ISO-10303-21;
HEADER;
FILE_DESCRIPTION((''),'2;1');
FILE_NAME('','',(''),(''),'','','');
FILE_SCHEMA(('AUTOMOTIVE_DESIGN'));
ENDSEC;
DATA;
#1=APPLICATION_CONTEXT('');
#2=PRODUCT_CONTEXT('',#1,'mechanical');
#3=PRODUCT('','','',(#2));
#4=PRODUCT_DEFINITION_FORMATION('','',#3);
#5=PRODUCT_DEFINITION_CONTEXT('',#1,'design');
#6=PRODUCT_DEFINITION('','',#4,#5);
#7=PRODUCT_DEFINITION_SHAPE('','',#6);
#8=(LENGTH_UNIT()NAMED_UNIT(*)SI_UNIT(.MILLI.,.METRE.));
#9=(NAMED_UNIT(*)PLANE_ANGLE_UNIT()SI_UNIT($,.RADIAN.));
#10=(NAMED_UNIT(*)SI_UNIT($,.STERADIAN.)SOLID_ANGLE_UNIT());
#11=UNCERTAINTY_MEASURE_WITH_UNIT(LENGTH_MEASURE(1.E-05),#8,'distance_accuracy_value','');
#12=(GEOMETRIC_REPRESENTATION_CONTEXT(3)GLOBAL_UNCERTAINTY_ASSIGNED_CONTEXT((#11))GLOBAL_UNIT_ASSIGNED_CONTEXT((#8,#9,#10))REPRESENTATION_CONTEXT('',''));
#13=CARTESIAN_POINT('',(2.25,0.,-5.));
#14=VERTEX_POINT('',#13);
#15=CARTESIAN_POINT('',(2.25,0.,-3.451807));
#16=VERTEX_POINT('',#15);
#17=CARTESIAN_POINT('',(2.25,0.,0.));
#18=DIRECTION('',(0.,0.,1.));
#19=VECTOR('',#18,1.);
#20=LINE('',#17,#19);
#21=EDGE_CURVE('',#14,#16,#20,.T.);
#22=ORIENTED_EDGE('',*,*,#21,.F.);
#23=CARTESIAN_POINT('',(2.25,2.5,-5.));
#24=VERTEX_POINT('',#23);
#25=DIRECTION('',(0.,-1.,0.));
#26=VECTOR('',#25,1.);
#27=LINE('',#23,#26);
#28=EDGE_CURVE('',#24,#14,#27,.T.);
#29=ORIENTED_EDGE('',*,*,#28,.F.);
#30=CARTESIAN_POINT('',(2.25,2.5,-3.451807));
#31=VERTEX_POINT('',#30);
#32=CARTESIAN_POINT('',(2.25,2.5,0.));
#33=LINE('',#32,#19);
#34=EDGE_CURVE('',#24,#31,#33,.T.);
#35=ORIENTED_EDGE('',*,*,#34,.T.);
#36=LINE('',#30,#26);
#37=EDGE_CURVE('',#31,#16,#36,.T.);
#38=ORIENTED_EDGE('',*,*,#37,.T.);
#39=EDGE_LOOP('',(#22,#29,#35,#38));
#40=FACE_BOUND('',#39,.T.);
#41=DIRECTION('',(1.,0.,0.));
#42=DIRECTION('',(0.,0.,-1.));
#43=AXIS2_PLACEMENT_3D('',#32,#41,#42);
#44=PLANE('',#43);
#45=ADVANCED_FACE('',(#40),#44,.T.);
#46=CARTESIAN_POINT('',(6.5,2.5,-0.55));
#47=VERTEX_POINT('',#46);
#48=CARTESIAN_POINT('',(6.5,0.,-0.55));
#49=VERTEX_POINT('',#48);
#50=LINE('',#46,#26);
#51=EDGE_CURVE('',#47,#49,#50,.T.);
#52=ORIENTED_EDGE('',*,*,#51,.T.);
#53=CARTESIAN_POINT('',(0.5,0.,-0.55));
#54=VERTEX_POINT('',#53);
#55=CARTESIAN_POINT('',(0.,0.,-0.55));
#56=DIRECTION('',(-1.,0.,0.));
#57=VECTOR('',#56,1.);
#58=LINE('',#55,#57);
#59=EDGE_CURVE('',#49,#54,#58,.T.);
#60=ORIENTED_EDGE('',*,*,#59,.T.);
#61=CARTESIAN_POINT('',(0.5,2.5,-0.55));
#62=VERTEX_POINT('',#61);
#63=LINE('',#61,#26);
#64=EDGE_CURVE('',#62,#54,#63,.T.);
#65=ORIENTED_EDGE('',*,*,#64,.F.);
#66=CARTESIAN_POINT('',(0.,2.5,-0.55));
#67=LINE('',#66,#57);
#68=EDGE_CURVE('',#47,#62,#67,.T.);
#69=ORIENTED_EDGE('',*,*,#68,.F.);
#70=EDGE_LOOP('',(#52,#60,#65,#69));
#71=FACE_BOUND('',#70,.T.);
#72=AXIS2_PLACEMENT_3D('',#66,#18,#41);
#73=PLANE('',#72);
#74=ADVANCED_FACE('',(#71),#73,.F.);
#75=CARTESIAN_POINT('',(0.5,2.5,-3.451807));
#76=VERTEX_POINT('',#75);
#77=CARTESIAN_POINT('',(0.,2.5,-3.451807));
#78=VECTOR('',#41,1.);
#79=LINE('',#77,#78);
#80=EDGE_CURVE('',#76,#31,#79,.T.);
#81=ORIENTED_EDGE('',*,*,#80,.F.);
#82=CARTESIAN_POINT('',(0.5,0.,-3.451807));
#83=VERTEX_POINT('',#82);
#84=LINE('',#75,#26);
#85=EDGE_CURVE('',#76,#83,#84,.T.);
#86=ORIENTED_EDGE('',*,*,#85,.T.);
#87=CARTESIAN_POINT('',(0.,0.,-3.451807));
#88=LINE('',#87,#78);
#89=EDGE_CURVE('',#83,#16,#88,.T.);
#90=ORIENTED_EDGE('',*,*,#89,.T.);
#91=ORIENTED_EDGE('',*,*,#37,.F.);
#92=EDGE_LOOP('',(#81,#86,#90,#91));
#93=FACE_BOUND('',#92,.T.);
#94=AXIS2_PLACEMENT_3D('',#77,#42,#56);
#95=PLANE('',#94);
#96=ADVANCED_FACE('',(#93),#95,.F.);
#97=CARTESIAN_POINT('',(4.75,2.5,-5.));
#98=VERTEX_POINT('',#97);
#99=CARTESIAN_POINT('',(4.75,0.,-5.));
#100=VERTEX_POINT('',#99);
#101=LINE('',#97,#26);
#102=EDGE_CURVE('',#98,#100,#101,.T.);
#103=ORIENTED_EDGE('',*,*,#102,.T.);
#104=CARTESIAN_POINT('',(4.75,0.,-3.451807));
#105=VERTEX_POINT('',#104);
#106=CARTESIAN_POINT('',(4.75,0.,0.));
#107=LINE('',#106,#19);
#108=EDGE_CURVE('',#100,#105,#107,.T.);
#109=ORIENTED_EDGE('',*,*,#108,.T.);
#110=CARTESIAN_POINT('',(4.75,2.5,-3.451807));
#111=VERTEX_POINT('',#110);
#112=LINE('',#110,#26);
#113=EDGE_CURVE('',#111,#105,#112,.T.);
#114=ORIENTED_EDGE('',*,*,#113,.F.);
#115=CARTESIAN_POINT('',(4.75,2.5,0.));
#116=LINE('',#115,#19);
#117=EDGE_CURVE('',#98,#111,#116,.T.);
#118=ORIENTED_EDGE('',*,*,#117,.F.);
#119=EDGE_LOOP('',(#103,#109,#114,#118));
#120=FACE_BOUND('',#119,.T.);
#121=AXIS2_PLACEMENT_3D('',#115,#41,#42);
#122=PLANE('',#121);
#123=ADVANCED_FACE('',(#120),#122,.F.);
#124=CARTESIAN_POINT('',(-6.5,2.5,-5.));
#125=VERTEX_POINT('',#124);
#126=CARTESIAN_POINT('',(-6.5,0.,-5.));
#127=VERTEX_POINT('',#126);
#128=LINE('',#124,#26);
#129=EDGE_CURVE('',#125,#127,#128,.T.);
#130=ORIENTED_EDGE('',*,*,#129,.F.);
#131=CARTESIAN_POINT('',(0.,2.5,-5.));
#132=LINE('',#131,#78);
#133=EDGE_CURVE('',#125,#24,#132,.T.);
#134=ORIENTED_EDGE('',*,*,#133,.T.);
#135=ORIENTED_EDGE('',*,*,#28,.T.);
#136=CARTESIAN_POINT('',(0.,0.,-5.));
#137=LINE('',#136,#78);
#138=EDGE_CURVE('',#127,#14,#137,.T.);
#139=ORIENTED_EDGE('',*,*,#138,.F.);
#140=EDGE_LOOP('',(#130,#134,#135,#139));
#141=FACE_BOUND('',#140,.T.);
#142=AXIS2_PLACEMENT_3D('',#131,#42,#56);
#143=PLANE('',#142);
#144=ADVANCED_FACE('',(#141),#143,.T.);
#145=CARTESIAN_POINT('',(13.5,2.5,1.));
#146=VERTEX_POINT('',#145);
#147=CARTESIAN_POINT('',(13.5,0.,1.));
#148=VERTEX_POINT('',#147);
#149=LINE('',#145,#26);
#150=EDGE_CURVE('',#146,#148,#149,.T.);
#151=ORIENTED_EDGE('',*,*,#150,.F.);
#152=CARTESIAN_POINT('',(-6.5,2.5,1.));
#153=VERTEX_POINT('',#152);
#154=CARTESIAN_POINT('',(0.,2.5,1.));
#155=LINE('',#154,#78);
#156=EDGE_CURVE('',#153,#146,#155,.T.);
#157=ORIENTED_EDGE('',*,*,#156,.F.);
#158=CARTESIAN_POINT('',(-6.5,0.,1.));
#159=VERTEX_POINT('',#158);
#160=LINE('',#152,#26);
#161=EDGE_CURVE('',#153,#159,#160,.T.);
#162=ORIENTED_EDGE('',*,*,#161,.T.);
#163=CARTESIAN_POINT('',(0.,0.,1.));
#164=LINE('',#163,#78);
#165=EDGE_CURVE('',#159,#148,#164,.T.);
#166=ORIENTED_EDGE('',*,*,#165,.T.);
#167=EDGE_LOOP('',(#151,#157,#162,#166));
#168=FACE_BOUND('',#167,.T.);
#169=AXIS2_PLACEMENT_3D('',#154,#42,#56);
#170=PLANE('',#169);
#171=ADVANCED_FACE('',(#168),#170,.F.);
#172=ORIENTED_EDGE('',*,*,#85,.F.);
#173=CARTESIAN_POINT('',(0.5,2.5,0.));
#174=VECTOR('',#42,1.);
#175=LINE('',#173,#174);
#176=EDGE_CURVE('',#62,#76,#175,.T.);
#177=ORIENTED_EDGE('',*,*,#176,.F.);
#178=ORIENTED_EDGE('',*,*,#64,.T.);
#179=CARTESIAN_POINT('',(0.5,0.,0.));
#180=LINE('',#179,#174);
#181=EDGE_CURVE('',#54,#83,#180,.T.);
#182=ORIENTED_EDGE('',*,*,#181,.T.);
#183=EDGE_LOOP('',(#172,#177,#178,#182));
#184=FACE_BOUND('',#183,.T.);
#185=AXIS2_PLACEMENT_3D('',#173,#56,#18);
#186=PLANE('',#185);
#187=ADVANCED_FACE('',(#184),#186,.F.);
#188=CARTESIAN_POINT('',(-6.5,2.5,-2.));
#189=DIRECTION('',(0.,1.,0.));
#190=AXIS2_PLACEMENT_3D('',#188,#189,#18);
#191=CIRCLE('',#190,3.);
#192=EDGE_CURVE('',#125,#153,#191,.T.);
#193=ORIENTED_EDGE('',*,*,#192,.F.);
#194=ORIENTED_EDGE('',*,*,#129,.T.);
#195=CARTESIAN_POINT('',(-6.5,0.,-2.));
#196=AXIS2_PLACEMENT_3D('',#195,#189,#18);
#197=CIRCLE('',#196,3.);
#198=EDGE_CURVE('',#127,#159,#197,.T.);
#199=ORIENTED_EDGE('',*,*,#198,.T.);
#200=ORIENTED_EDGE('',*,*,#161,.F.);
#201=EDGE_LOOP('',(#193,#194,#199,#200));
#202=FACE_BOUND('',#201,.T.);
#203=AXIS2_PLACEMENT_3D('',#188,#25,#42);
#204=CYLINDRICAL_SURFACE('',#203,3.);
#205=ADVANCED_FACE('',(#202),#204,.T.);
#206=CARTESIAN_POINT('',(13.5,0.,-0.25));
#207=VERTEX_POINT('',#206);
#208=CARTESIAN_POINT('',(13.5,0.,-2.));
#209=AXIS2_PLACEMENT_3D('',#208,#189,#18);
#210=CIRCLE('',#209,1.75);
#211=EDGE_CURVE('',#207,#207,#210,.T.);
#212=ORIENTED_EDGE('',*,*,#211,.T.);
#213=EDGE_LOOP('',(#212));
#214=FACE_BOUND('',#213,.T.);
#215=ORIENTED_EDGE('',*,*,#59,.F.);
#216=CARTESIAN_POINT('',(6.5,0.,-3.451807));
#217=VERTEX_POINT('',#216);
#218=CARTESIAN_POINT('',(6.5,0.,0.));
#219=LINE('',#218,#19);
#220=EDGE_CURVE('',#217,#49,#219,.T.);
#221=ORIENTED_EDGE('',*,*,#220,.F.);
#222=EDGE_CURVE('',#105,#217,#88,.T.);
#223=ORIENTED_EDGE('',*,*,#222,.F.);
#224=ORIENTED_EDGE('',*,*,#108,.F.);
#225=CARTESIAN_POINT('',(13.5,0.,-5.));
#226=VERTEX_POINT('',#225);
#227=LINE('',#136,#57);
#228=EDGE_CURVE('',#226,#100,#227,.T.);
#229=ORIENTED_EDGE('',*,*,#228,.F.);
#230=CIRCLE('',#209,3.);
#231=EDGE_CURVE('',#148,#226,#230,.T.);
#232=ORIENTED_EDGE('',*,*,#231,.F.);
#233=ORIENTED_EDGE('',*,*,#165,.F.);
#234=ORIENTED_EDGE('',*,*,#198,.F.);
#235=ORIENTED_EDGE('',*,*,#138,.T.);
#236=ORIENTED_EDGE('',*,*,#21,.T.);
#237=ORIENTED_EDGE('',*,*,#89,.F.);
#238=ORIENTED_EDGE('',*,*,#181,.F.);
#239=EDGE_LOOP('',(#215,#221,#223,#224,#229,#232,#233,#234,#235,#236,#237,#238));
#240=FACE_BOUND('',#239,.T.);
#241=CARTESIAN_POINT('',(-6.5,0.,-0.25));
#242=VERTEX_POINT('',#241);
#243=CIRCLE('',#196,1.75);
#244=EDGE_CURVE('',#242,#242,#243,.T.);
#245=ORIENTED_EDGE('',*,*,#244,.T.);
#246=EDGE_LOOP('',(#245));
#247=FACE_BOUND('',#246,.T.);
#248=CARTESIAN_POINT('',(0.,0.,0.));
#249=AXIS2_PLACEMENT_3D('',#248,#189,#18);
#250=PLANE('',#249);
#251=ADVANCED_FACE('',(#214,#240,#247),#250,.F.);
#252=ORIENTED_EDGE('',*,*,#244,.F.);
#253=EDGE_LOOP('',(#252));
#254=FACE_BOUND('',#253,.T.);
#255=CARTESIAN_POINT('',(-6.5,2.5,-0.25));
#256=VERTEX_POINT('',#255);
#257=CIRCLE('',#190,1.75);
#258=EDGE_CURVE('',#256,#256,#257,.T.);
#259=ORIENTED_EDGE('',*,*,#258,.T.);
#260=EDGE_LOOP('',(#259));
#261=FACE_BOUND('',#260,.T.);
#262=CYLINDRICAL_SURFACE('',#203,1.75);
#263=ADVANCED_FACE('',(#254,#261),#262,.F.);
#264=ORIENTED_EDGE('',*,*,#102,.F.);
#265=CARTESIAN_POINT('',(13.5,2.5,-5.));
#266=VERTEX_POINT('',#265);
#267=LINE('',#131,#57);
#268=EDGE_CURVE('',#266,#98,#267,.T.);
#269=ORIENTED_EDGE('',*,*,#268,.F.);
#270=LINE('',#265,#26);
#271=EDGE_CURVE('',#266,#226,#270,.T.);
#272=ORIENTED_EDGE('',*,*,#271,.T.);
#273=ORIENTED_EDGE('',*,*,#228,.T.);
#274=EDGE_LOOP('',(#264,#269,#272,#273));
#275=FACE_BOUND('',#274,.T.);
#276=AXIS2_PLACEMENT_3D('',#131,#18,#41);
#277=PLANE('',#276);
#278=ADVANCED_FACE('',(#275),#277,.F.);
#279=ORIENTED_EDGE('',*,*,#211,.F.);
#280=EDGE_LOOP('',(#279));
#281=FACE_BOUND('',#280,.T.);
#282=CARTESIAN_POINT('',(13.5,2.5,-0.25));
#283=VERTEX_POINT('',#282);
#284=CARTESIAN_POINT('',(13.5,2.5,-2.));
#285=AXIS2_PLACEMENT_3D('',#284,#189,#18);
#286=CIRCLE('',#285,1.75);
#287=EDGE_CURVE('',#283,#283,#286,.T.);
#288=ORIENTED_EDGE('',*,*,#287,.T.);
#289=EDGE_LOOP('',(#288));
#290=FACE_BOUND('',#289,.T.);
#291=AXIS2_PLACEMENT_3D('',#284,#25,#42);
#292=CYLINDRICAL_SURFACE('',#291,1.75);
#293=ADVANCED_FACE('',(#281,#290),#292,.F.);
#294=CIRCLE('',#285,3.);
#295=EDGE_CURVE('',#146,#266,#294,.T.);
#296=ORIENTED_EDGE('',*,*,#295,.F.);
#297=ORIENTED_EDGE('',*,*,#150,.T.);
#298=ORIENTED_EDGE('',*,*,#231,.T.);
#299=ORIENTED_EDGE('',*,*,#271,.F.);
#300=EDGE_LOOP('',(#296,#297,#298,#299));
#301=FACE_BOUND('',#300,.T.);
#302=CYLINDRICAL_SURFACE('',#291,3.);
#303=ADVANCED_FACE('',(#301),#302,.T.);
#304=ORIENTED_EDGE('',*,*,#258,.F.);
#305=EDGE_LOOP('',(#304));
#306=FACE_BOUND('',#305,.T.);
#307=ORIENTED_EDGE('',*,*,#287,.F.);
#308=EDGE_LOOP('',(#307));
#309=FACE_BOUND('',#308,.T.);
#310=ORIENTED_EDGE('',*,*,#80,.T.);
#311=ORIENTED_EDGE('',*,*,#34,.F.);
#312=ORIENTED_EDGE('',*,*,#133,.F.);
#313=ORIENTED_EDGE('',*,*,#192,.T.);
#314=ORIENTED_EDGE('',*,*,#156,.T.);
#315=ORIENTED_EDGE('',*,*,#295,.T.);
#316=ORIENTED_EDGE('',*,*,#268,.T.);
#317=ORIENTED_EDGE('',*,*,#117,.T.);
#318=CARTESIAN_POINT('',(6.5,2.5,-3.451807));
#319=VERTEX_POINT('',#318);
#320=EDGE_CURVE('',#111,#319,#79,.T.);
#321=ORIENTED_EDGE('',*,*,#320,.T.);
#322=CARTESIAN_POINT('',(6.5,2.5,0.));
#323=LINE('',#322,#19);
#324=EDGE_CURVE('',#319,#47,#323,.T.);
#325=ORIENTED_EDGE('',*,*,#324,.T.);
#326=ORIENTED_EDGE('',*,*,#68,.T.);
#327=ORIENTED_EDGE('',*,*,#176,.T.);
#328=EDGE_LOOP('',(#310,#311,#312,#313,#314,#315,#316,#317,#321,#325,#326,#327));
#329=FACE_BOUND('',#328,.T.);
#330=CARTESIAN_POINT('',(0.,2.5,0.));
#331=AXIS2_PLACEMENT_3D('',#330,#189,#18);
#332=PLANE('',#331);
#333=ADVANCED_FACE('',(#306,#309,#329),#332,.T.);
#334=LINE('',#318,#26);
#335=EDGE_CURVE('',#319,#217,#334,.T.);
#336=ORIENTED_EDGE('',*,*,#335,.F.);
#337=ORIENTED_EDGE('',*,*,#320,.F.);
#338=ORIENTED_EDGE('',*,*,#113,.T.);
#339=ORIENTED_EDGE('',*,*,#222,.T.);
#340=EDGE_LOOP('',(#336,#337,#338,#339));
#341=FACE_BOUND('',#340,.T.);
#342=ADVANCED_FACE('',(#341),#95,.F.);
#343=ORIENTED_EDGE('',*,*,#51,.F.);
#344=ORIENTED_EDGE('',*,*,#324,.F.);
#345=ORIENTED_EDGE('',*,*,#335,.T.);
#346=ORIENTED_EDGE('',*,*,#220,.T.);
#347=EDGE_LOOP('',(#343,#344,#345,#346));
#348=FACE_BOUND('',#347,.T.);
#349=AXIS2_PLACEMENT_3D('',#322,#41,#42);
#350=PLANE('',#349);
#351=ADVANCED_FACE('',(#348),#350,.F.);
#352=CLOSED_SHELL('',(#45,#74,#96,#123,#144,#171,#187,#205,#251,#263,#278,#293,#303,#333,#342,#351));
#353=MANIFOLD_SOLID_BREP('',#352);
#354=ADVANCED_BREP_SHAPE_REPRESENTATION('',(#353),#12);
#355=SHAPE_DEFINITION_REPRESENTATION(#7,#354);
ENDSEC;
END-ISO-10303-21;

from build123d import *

# Parameters (mm, degrees)
SKETCH1_R           = 3
SKETCH1_R_2         = 1.75
BOSS_EXTRUDE1_DEPTH = 2.5


with BuildPart() as part:
    # Sketch1 → Boss-Extrude1 (new body)
    with BuildSketch(Plane(origin=(0, 0, 0), x_dir=(1, 0, 0), z_dir=(0, 1, 0))):
        with Locations((-6.5, 2)):
            Circle(SKETCH1_R)
        with Locations((-6.5, 2)):
            Circle(SKETCH1_R_2, mode=Mode.SUBTRACT)
        with BuildLine():
            Line((7, 0), (0, 0))
            Line((0, 0), (0, 4))
            Line((0, 4), (2.25, 4))
            Line((2.25, 4), (2.25, 5))
            Line((2.25, 5), (-6.5, 5))
            ThreePointArc((-6.5, 5), (-4.378679656, 4.121320344), (-3.5, 2))
            ThreePointArc((-3.5, 2), (-4.378679656, -0.121320344), (-6.5, -1))
            Line((-6.5, -1), (13.5, -1))
            ThreePointArc((13.5, -1), (10.5, 2), (13.5, 5))
            Line((13.5, 5), (4.75, 5))
            Line((4.75, 5), (4.75, 4))
            Line((4.75, 4), (7, 4))
            Line((7, 4), (7, 0))
        make_face()
        Polygon((2.25, 4), (0, 4), (0, 0), (7, 0), (7, 4), (4.75, 4), (4.75, 3.451807229), (6.5, 3.451807229), (6.5, 0.55), (0.5, 0.55), (0.5, 3.451807229), (2.25, 3.451807229), align=None)
        with Locations((13.5, 2)):
            Circle(SKETCH1_R)
        with Locations((13.5, 2)):
            Circle(SKETCH1_R_2, mode=Mode.SUBTRACT)
    extrude(amount=BOSS_EXTRUDE1_DEPTH)


solid = part.part
